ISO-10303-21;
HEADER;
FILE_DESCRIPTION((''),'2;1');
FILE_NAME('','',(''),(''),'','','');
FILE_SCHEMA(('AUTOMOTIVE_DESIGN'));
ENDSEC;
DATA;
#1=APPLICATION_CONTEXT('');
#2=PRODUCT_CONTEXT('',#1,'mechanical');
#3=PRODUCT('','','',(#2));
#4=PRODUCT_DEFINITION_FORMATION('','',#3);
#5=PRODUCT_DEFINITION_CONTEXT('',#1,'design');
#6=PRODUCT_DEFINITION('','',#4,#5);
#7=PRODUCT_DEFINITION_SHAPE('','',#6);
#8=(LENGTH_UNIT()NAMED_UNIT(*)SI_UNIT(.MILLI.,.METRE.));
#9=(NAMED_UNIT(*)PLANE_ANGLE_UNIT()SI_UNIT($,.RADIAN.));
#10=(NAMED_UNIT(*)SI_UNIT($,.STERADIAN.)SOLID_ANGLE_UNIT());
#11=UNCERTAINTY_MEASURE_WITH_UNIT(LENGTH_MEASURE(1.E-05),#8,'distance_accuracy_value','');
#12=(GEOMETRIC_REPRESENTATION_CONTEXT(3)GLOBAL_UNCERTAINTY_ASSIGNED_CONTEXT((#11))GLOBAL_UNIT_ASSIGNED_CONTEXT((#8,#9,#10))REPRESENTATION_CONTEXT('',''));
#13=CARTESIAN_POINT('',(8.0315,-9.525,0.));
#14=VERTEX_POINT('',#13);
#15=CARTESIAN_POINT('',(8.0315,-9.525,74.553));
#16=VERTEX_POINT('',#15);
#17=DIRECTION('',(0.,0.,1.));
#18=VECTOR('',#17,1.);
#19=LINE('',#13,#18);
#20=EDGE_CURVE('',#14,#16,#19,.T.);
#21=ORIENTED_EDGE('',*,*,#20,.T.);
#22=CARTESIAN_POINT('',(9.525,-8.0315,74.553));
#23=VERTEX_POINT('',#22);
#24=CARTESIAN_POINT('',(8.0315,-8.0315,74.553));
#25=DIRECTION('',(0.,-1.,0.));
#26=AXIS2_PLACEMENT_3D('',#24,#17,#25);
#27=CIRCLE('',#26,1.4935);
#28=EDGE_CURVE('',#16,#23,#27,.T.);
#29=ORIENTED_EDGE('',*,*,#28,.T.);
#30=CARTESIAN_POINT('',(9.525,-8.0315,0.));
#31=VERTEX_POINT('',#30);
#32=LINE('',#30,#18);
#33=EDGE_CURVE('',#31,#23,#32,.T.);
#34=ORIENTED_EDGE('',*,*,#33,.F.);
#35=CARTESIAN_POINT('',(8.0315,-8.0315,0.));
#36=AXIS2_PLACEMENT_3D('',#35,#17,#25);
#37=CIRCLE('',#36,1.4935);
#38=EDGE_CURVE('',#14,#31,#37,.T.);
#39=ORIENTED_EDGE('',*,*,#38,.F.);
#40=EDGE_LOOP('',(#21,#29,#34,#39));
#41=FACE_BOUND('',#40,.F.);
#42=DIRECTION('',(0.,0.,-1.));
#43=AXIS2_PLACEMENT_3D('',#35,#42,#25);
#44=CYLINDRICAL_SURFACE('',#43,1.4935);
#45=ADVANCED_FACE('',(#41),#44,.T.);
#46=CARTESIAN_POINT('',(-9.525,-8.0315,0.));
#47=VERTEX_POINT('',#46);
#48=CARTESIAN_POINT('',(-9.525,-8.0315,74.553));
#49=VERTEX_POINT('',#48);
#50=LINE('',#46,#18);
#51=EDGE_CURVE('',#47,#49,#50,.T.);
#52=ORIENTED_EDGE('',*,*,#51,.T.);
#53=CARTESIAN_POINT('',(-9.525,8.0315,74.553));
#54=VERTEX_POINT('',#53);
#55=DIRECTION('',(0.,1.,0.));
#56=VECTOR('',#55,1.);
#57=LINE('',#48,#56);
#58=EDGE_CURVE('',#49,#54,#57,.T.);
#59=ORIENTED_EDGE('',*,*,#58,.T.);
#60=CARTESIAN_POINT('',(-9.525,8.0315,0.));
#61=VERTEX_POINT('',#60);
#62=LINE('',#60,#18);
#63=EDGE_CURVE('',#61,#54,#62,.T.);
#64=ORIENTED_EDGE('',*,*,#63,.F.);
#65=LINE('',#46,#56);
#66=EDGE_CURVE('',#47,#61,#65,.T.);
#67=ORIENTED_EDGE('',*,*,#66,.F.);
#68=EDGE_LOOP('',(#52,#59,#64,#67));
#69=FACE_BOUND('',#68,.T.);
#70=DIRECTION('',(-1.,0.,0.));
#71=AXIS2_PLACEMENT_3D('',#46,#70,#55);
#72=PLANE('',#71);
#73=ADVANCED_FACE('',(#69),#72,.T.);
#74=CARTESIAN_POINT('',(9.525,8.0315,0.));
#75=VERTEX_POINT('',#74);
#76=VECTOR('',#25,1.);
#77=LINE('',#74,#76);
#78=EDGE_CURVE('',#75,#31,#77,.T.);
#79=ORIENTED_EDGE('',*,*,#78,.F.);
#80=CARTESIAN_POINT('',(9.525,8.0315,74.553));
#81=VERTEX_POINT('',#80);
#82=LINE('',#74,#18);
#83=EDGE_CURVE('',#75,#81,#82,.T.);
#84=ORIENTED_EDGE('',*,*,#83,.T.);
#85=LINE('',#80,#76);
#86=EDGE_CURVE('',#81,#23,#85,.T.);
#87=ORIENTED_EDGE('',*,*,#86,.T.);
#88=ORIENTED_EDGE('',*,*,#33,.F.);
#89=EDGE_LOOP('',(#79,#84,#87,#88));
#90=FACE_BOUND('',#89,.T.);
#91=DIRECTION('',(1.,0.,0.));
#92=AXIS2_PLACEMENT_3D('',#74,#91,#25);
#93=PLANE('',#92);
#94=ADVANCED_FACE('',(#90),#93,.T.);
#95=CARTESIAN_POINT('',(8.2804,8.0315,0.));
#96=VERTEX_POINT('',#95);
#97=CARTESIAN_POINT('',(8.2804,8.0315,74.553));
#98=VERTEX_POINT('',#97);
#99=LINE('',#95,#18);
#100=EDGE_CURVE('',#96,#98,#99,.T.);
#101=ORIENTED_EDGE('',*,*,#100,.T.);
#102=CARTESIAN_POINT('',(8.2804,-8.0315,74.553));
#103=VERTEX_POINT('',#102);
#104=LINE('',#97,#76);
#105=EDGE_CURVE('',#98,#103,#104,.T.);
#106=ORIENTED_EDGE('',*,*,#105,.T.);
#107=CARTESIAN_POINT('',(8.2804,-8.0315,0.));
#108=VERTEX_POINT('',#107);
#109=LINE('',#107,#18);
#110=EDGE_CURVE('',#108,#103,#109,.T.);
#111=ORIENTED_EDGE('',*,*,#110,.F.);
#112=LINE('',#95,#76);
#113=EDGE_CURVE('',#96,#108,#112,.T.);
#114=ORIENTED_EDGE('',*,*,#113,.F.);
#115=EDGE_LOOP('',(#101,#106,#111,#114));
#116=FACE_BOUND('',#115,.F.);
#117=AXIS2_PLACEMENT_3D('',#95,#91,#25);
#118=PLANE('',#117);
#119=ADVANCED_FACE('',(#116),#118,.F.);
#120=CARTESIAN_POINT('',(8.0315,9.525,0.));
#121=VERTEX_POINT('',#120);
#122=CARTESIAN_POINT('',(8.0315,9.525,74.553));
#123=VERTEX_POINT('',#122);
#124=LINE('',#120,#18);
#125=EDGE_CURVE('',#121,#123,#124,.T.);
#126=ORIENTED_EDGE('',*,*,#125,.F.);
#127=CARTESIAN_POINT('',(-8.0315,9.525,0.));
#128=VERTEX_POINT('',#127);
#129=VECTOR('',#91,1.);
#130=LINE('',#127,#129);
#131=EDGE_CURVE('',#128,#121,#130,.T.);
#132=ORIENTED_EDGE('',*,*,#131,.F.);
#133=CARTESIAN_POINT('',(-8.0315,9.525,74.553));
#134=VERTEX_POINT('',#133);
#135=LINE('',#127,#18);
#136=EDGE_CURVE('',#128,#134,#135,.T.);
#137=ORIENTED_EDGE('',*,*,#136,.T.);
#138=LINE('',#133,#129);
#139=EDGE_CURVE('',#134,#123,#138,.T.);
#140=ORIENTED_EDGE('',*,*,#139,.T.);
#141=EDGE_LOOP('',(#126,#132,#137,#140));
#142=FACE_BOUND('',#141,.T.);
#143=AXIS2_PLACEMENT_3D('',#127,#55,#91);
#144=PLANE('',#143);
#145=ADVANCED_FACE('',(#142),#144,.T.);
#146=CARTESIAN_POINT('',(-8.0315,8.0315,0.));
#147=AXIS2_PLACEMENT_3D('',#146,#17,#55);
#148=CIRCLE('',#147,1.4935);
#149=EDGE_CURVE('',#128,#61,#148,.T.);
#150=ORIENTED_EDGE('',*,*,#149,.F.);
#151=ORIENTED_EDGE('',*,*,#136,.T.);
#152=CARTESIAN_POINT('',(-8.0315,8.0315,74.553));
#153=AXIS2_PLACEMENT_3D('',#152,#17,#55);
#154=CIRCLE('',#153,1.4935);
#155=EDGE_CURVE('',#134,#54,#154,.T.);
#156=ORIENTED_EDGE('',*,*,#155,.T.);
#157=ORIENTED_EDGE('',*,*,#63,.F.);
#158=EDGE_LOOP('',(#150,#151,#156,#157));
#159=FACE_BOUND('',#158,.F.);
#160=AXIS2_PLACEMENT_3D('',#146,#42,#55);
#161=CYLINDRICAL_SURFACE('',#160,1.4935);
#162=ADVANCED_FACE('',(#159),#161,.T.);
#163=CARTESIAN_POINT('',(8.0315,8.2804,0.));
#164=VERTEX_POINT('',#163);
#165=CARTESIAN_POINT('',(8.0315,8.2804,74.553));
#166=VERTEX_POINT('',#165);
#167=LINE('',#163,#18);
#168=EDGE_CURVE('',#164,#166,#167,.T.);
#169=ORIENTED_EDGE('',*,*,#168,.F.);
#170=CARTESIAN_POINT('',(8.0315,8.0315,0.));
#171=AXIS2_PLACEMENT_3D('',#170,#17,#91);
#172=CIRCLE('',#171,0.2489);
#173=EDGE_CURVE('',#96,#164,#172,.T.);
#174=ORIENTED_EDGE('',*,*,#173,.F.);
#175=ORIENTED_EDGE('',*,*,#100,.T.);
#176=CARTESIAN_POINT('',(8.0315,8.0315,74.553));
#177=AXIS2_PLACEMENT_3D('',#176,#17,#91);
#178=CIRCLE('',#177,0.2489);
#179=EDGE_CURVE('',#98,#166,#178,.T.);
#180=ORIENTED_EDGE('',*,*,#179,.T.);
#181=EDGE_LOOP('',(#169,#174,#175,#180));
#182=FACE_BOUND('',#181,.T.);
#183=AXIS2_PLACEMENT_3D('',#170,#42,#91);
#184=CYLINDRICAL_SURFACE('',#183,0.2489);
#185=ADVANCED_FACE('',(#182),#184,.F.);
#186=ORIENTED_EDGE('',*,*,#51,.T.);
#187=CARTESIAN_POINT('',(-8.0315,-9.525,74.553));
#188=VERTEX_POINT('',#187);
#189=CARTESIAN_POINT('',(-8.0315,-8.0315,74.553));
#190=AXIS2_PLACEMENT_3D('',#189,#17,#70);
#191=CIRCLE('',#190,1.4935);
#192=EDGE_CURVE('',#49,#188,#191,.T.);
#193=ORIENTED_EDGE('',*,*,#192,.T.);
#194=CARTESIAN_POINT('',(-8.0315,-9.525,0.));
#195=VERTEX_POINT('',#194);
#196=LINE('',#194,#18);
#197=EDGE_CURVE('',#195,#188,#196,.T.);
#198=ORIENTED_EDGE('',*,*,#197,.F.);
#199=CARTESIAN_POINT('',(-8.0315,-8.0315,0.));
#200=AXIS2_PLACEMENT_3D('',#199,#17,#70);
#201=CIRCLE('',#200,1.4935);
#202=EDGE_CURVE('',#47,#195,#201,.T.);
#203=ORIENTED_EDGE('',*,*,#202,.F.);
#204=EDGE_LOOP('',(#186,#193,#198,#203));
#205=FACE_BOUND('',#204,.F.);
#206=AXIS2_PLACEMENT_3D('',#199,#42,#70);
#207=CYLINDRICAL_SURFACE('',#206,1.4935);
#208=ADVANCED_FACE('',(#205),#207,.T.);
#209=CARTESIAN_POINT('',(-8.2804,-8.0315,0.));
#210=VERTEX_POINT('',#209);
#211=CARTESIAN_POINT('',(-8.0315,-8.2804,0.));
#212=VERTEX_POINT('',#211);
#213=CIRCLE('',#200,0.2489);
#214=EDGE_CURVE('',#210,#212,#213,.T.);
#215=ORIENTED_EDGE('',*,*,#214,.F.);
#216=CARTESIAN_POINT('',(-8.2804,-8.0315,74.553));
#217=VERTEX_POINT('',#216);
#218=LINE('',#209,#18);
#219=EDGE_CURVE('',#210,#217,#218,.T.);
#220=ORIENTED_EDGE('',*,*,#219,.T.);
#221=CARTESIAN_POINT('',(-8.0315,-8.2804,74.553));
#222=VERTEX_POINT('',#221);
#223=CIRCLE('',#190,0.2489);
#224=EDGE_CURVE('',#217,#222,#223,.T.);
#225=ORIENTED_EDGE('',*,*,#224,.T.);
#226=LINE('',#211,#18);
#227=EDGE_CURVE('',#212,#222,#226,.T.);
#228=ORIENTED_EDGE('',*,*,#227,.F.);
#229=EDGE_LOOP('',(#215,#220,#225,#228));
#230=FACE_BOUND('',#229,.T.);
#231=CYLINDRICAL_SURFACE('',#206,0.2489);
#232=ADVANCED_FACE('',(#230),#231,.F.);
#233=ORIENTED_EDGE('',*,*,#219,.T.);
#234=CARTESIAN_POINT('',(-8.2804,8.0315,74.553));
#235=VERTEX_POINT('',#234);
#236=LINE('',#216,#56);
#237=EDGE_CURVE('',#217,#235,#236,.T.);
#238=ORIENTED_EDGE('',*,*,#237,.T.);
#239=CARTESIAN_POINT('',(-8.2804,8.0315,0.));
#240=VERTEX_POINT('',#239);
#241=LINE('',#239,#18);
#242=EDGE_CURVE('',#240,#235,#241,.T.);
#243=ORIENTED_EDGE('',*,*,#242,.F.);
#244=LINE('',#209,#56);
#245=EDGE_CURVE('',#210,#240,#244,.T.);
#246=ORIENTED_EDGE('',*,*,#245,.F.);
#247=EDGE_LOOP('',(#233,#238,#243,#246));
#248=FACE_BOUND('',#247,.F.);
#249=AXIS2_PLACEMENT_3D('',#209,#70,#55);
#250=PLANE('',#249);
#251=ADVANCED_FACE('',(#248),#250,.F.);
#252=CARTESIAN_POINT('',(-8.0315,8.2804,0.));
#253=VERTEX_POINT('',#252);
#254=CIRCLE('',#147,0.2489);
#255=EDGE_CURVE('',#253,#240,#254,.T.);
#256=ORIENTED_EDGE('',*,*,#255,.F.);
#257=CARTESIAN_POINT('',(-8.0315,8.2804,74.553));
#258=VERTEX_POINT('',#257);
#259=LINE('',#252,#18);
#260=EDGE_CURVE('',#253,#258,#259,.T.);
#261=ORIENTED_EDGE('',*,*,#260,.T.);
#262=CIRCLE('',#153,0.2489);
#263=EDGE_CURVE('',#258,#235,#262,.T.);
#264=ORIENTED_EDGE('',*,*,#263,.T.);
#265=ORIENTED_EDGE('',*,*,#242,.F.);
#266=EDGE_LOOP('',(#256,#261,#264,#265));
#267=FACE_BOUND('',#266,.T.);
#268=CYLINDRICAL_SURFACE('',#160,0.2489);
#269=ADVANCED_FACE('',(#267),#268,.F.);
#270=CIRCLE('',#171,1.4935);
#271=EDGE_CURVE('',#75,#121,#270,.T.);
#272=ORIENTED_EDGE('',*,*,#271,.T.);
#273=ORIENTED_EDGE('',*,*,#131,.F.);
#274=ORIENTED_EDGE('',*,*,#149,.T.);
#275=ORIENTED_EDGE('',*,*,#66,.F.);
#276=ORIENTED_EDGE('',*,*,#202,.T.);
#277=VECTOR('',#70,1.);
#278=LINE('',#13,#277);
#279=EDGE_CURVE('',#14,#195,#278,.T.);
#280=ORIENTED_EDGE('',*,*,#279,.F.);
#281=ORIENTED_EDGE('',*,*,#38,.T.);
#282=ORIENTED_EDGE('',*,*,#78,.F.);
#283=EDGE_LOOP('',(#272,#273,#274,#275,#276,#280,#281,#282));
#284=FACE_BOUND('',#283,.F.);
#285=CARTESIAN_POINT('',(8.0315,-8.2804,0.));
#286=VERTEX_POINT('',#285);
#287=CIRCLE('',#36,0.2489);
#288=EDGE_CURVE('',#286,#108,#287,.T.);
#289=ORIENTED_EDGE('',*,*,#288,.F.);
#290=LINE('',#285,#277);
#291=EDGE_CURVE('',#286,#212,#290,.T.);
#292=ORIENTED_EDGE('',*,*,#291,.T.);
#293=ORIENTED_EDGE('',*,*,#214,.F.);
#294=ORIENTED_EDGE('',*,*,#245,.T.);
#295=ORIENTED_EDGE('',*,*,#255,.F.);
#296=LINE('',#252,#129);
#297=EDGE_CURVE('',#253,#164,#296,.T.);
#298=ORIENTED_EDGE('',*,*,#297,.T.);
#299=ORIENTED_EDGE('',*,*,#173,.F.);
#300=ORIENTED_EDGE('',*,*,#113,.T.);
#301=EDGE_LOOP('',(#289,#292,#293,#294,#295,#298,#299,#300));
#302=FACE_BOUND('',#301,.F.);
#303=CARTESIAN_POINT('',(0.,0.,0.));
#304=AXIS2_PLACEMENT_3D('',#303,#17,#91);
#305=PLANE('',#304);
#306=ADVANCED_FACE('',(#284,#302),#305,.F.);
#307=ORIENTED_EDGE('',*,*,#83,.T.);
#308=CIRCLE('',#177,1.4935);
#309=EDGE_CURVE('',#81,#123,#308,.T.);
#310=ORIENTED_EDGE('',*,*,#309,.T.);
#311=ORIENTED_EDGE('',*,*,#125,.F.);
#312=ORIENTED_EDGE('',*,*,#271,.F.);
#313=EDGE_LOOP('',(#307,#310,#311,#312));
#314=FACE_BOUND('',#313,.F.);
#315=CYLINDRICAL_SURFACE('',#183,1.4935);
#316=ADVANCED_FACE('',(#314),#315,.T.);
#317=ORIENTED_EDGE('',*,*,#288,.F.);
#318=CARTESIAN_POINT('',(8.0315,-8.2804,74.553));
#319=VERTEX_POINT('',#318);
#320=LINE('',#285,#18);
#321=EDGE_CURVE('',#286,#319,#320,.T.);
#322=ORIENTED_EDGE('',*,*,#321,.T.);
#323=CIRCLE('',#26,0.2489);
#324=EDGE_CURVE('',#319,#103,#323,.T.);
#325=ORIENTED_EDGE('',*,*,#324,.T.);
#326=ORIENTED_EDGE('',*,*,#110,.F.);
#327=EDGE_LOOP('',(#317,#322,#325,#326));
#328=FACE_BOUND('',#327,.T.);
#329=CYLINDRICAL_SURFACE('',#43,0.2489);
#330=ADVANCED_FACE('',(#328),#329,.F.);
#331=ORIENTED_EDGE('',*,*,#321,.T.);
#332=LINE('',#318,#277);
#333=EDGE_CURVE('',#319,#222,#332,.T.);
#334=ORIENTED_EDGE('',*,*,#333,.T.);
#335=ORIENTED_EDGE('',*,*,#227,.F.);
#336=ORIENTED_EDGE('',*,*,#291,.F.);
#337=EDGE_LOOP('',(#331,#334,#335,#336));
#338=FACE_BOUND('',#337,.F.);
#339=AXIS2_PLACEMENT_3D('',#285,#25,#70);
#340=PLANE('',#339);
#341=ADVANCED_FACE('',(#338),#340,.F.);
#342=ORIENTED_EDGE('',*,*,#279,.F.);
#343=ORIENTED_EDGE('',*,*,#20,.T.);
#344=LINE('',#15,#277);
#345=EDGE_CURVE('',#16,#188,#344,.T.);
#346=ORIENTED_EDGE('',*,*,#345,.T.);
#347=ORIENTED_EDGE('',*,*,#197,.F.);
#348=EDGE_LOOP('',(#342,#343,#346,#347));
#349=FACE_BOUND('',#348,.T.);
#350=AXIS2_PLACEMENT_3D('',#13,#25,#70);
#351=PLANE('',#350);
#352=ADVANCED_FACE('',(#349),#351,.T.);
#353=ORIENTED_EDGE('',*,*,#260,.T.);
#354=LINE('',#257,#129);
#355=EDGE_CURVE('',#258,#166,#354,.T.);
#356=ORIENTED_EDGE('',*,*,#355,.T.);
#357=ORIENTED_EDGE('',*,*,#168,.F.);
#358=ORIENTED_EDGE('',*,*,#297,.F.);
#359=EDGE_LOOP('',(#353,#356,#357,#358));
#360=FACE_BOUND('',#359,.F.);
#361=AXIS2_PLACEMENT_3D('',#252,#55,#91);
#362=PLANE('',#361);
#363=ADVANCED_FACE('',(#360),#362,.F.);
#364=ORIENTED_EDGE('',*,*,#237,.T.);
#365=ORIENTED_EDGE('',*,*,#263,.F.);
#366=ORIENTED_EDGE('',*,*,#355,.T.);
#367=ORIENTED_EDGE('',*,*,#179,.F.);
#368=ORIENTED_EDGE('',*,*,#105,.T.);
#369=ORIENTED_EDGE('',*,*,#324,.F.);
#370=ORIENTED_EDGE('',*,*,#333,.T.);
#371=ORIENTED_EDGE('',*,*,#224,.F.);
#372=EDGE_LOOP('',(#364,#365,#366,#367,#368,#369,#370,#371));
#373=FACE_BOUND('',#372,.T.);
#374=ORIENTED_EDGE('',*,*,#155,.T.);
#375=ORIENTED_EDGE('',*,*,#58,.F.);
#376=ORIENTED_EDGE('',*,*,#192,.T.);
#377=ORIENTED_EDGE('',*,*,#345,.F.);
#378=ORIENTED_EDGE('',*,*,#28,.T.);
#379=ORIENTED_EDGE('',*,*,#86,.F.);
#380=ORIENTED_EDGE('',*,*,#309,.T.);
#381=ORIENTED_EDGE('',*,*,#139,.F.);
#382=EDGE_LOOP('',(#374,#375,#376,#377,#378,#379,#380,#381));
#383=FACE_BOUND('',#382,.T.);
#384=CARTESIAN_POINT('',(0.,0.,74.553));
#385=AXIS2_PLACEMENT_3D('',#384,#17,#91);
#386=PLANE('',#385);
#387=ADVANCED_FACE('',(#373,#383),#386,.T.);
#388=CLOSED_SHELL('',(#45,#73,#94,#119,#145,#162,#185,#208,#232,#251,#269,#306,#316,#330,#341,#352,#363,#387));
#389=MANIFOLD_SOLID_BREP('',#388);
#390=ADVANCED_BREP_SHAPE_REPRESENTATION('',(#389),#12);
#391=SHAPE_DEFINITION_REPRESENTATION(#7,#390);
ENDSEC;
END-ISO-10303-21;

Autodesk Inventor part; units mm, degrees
ref_plane "YZ Plane" through (0, 0, 0) normal (1, 0, 0) x (0, 1, 0)
ref_plane "Start plane" through (0, 0, 0) normal (0, 0, 1) x (1, 0, 0)
ref_plane "End plane" through (0, 0, 74.553) normal (0, 0, 1) x (1, 0, 0)
sketch "Sketch" plane through (0, 0, 0) normal (0, 0, 1) x (1, 0, 0)
  line L0 (-9.525, -8.0315) -> (-9.525, 8.0315)
  line L1 (-8.0315, 9.525) -> (8.0315, 9.525)
  line L2 (9.525, 8.0315) -> (9.525, -8.0315)
  line L3 (8.0315, -9.525) -> (-8.0315, -9.525)
  arc A0 (-9.525, -8.0315) -> (-8.0315, -9.525) centre (-8.0315, -8.0315) ccw
  arc A1 (-8.0315, 9.525) -> (-9.525, 8.0315) centre (-8.0315, 8.0315) ccw
  arc A2 (9.525, 8.0315) -> (8.0315, 9.525) centre (8.0315, 8.0315) ccw
  arc A3 (8.0315, -9.525) -> (9.525, -8.0315) centre (8.0315, -8.0315) ccw
  arc A4 (-8.0315, 8.2804) -> (-8.2804, 8.0315) centre (-8.0315, 8.0315) ccw
  line L4 (-8.0315, 8.2804) -> (8.0315, 8.2804)
  arc A5 (8.2804, 8.0315) -> (8.0315, 8.2804) centre (8.0315, 8.0315) ccw
  line L5 (8.2804, 8.0315) -> (8.2804, -8.0315)
  arc A6 (8.0315, -8.2804) -> (8.2804, -8.0315) centre (8.0315, -8.0315) ccw
  line L6 (8.0315, -8.2804) -> (-8.0315, -8.2804)
  arc A7 (-8.2804, -8.0315) -> (-8.0315, -8.2804) centre (-8.0315, -8.0315) ccw
  line L7 (-8.2804, -8.0315) -> (-8.2804, 8.0315)
  line L8 (0, 36.9477) -> (0, -36.9477) construction
  line L9 (-23.0793, 0) -> (23.0793, 0) construction
  dimension "d10" = 19.05
  dimension "d11" = 19.05
  dimension "d12" = 1.2446
  dimension "d15" = 9.525
  dimension "d16" = 9.525
  dimension "d17" = 1.4935
extrude "Body" add sketch "Sketch" along normal up to surface (74.553 mm away) from surface at 0
sketch "Sketch3" plane through (0, 0, 0) normal (0, 0, 1) x (1, 0, 0)
  line L0 (0, 0) -> (10, 0)
ref_plane "Work Plane3" through (0, 0, 0) normal (0, -1, 0) x (1, 0, 0)
sketch "Sketch4" plane through (0, 0, 0) normal (0, -1, 0) x (1, 0, 0)
  line L0 (-2, 0) -> (12, 0)
  line L1 (-2, 74.553) -> (12, 74.553)
  dimension "d19" = 74.553
equation "\"d10\" = G_H"
equation "\"d11\" = G_W"
equation "\"d12\" = G_T"
equation "\"d15\" = 0.5 * d10"
equation "\"d16\" = 0.5 * d11"
equation "\"d17\" = G_IR"
equation "\"d3\" = G_L"
equation "\"G_W\" = 19.05"
equation "\"G_H\" = 19.05"
equation "\"G_T\" = 1.2446"
equation "\"G_IR\" = 1.2 * G_T"
equation "\"G_L\" = d19"
equation "\"G_OFFSET_START\" = 0"
equation "\"G_OFFSET_END\" = 0"
equation "\"d14\" = G_OFFSET_END + B_L"
equation "\"B_L\" = 74.553"
properties part number "ASTM A513 - 3/4 x 3/4 x 49/1000 - 2.9351575" material "Steel, Mild"
